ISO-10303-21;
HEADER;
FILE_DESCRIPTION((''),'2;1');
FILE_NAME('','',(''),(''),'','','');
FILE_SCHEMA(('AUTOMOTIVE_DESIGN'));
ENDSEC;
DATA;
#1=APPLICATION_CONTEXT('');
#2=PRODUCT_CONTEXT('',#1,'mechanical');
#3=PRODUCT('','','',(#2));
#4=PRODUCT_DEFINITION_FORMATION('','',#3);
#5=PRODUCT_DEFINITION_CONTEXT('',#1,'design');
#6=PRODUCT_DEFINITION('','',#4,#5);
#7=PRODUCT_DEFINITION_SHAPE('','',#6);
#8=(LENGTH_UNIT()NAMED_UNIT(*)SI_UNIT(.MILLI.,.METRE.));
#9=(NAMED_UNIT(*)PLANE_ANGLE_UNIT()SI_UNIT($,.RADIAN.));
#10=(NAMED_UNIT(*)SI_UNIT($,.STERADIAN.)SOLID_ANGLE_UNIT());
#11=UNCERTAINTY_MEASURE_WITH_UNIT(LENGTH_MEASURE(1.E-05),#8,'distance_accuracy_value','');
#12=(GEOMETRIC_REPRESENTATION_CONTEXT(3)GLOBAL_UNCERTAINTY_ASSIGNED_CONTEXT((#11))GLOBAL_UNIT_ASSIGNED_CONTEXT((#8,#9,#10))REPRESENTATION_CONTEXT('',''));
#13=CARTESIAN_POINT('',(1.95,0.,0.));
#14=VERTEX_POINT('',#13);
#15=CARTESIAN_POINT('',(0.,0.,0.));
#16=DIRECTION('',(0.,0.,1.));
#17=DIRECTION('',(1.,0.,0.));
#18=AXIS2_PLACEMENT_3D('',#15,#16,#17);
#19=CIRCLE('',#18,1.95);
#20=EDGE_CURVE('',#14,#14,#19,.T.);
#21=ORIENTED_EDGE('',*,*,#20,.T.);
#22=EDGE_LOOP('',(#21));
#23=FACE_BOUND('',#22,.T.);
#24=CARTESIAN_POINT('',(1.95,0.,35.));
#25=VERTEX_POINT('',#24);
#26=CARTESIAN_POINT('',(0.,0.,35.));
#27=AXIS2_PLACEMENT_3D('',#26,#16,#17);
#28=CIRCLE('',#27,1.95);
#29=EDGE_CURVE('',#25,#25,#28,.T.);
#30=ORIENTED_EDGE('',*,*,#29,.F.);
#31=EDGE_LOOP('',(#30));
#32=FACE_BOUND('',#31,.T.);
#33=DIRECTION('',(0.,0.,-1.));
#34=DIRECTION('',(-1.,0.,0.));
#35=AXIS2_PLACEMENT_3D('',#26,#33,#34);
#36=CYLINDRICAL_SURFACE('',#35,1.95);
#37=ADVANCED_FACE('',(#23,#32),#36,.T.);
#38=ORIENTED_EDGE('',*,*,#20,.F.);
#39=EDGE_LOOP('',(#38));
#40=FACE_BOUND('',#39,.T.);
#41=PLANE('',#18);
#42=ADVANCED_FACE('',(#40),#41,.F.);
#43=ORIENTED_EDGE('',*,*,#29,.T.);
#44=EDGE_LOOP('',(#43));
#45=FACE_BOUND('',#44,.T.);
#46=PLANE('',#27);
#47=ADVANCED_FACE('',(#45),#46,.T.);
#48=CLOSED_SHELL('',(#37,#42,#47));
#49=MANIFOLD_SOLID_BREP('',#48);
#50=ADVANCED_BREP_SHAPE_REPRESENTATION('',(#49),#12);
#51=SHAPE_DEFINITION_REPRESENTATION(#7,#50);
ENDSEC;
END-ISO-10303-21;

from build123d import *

# Parameters (mm, degrees)
SKETCH_1_R      = 1.95
EXTRUDE_1_DEPTH = 35


with BuildPart() as part:
    # 스케치1 → 보스-돌출1 (new body)
    with BuildSketch(Plane.XY):
        Circle(SKETCH_1_R)
    extrude(amount=EXTRUDE_1_DEPTH)


solid = part.part
